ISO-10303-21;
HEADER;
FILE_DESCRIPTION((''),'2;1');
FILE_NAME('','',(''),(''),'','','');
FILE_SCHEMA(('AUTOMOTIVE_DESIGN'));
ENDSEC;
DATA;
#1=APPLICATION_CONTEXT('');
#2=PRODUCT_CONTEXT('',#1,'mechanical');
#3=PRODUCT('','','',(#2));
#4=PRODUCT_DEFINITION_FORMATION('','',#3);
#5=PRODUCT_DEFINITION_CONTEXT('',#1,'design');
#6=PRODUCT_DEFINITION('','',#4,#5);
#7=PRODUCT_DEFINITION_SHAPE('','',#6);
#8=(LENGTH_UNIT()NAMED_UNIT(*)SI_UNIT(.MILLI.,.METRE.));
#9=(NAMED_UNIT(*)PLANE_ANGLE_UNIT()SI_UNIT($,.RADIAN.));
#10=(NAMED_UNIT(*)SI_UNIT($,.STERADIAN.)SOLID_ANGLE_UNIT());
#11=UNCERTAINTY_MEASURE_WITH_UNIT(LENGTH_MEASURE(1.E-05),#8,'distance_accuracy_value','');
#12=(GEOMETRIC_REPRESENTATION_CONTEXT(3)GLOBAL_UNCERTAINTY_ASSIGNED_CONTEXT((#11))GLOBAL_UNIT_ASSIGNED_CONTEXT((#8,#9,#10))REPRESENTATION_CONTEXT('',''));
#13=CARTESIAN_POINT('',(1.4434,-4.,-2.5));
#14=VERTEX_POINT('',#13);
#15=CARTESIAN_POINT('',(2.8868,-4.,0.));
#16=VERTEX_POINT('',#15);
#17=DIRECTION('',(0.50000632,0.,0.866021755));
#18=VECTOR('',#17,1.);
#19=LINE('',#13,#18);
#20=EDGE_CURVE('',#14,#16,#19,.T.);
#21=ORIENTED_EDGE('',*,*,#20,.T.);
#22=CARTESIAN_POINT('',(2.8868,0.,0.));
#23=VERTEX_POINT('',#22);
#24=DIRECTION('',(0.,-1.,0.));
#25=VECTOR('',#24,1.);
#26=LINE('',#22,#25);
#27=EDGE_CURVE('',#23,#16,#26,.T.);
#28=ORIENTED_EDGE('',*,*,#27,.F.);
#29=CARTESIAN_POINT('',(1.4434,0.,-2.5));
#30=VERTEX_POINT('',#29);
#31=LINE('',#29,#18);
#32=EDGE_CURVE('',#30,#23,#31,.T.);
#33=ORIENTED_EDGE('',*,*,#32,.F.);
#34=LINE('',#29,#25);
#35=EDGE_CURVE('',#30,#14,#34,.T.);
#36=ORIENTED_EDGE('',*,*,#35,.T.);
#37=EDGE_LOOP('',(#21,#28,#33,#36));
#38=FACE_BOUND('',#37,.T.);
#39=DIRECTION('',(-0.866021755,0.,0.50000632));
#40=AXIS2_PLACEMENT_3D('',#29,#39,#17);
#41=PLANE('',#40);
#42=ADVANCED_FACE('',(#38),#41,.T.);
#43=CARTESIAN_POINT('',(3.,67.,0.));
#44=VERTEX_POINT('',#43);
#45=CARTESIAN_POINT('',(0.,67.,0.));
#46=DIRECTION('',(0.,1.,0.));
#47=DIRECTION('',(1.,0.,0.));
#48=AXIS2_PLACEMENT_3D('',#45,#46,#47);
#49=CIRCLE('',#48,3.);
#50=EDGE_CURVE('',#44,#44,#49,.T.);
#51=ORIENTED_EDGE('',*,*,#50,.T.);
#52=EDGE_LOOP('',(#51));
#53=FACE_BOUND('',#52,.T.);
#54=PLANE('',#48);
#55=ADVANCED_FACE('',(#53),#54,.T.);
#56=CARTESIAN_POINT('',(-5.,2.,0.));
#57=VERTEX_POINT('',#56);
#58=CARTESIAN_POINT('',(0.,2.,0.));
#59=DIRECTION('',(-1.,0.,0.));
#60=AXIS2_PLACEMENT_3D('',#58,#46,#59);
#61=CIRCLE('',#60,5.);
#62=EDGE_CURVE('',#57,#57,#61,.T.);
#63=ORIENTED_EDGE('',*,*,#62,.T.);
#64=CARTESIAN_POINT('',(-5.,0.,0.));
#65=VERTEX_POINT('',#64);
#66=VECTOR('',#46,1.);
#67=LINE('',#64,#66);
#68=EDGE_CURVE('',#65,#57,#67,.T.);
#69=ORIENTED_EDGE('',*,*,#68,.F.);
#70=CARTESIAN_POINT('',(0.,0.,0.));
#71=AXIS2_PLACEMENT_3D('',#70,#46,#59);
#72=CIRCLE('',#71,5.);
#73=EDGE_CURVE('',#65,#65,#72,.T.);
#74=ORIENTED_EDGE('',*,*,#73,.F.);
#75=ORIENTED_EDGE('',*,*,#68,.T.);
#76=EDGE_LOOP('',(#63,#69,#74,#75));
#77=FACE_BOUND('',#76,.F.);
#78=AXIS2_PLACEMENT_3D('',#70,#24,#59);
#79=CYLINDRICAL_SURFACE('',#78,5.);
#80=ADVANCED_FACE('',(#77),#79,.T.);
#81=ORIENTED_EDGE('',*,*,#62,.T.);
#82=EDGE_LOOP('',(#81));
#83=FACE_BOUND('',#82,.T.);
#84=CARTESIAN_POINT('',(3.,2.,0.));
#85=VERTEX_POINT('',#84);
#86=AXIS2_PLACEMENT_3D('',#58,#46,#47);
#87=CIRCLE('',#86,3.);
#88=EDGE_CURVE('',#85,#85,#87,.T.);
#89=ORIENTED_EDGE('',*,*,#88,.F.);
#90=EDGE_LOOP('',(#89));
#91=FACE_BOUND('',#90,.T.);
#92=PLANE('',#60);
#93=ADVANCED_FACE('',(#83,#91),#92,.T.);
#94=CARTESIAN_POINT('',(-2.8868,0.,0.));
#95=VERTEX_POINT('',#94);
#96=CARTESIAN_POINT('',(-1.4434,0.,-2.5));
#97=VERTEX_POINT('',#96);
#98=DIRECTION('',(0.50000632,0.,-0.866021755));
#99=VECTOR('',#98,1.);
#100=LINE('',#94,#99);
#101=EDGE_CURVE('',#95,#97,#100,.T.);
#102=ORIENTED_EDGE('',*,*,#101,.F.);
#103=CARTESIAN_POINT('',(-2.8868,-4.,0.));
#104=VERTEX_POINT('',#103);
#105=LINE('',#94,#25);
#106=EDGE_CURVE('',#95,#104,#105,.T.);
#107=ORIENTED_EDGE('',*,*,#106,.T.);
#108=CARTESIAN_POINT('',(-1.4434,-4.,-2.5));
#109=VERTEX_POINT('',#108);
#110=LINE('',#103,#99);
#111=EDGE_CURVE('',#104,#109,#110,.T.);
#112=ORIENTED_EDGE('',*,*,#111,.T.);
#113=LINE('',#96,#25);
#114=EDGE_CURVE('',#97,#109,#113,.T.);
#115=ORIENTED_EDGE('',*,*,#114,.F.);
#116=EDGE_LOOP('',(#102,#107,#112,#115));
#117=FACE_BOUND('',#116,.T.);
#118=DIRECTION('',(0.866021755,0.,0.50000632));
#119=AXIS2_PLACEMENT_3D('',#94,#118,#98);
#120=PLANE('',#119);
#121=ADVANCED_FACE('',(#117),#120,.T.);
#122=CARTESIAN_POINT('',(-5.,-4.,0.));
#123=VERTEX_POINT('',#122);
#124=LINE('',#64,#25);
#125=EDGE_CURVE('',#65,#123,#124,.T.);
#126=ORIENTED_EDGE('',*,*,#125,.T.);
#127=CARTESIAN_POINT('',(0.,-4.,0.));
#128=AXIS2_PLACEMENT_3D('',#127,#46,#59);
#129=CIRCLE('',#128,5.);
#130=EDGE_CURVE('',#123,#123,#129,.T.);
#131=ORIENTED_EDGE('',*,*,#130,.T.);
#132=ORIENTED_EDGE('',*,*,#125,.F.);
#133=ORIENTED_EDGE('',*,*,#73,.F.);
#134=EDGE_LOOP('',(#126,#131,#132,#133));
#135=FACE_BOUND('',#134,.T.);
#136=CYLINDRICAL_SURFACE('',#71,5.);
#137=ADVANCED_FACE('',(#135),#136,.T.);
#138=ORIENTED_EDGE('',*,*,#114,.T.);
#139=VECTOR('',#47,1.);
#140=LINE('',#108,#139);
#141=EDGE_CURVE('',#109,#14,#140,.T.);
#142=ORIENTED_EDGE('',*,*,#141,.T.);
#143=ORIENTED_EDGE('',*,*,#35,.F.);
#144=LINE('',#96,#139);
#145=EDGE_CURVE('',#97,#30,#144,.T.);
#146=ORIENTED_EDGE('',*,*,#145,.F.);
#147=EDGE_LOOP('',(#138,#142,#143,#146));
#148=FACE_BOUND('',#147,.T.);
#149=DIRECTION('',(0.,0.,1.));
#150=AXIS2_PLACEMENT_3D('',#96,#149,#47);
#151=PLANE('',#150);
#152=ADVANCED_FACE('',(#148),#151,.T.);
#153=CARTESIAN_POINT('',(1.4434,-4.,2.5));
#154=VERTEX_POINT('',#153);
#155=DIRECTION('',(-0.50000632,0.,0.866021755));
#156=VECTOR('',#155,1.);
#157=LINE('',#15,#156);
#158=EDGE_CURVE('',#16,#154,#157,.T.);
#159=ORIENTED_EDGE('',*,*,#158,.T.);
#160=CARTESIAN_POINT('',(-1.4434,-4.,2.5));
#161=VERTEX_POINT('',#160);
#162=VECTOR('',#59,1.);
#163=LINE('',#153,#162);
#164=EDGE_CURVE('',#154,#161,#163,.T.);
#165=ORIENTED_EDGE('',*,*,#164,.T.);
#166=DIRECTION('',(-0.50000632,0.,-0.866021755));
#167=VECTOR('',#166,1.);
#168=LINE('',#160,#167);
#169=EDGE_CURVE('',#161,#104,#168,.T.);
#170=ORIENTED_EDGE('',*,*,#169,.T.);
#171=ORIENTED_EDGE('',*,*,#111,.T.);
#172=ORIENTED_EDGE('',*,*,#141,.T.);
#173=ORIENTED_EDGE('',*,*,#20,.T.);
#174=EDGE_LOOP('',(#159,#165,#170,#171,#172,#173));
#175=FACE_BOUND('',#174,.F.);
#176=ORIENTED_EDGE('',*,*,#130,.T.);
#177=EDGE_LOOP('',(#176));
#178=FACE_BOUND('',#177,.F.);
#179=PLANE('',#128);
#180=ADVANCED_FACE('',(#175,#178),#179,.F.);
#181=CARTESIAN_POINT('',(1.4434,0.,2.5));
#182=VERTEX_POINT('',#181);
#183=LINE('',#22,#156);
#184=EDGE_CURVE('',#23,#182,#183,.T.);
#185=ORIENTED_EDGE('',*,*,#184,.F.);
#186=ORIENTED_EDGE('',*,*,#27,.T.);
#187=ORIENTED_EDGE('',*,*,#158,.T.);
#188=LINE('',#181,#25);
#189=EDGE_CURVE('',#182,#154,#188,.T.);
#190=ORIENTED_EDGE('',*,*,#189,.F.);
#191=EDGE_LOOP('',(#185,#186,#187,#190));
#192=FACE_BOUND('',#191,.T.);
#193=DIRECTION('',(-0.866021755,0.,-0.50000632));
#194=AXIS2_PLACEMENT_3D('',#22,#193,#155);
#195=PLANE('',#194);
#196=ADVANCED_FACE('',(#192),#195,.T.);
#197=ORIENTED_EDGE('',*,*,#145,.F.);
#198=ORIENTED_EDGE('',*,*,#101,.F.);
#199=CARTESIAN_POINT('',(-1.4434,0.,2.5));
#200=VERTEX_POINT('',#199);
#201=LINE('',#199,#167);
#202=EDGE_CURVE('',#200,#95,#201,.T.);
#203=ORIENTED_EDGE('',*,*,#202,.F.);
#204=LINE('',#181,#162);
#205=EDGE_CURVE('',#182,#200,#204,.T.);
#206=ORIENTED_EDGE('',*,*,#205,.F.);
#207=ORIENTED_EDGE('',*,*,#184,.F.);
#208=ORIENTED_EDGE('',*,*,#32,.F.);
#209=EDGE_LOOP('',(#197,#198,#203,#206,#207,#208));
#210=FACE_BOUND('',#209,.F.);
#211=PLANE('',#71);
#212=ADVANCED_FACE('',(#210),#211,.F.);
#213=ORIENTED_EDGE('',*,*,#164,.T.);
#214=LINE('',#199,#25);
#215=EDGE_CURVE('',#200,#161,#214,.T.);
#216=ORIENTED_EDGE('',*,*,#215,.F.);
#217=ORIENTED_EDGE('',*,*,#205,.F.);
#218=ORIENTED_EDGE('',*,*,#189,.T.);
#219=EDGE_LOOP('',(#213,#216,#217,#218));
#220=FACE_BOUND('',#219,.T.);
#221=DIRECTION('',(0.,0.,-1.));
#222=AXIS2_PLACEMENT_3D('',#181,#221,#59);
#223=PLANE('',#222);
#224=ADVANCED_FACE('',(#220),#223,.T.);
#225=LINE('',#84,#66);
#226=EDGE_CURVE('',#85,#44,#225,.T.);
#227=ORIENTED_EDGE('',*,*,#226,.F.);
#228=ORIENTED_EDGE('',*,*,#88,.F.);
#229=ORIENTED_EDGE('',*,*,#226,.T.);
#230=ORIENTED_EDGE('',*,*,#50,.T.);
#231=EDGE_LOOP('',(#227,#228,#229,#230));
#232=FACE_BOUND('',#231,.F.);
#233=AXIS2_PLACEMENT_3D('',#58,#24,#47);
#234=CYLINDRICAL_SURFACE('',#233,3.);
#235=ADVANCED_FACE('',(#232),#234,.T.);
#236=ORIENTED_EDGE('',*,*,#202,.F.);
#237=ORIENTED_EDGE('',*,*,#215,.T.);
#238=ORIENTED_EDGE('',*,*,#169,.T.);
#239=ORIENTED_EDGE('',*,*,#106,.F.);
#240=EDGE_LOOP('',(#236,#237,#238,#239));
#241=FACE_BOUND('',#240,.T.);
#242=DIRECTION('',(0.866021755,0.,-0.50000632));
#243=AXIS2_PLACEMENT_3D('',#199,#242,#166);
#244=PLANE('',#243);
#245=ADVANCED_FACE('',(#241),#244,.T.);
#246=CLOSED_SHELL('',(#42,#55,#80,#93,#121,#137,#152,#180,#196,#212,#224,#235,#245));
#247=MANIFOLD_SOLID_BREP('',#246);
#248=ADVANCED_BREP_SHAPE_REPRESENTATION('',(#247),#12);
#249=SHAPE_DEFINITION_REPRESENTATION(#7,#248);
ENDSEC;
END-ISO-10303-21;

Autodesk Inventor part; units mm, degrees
ref_plane "YZ Plane" through (0, 0, 0) normal (1, 0, 0) x (0, 1, 0)
ref_plane "XZ Plane" through (0, 0, 0) normal (0, 1, 0) x (-1, 0, 0)
ref_plane "XY Plane" through (0, 0, 0) normal (0, 0, 1) x (1, 0, 0)
sketch "Szkic1" plane through (0, 0, 0) normal (0, 1, 0) x (-1, 0, 0)
  circle A0 centre (0, 0) radius 5
  line L0 (1.4434, 2.5) -> (2.8868, 0)
  line L1 (2.8868, 0) -> (1.4434, -2.5)
  line L2 (1.4434, -2.5) -> (-1.4434, -2.5)
  line L3 (-1.4434, -2.5) -> (-2.8868, 0)
  line L4 (-2.8868, 0) -> (-1.4434, 2.5)
  line L5 (-1.4434, 2.5) -> (1.4434, 2.5)
  circle A1 centre (0, 0) radius 3
  dimension "d0" = 10
  dimension "d1" = 5
  dimension "d2" = 6
extrude "Wyciągnięcie proste1" add sketch "Szkic1" along normal blind 2 contours A0 | L0 L1 L2 L3 L4 L5 | A1
extrude "Wyciągnięcie proste2" add sketch "Szkic1" against normal blind 4 contours A0 | A1
sketch "Szkic2" plane through (0, 2, 0) normal (0, 1, 0) x (1, 0, 0)
  circle A0 centre (0, 0) radius 3
  dimension "d7" = 6
extrude "Wyciągnięcie proste3" add sketch "Szkic2" along normal blind 65
thread "Gwint1" size "M6x1" class "6g" standard "ANSI Metric M Profile" length 65
properties part number "M6x65"
